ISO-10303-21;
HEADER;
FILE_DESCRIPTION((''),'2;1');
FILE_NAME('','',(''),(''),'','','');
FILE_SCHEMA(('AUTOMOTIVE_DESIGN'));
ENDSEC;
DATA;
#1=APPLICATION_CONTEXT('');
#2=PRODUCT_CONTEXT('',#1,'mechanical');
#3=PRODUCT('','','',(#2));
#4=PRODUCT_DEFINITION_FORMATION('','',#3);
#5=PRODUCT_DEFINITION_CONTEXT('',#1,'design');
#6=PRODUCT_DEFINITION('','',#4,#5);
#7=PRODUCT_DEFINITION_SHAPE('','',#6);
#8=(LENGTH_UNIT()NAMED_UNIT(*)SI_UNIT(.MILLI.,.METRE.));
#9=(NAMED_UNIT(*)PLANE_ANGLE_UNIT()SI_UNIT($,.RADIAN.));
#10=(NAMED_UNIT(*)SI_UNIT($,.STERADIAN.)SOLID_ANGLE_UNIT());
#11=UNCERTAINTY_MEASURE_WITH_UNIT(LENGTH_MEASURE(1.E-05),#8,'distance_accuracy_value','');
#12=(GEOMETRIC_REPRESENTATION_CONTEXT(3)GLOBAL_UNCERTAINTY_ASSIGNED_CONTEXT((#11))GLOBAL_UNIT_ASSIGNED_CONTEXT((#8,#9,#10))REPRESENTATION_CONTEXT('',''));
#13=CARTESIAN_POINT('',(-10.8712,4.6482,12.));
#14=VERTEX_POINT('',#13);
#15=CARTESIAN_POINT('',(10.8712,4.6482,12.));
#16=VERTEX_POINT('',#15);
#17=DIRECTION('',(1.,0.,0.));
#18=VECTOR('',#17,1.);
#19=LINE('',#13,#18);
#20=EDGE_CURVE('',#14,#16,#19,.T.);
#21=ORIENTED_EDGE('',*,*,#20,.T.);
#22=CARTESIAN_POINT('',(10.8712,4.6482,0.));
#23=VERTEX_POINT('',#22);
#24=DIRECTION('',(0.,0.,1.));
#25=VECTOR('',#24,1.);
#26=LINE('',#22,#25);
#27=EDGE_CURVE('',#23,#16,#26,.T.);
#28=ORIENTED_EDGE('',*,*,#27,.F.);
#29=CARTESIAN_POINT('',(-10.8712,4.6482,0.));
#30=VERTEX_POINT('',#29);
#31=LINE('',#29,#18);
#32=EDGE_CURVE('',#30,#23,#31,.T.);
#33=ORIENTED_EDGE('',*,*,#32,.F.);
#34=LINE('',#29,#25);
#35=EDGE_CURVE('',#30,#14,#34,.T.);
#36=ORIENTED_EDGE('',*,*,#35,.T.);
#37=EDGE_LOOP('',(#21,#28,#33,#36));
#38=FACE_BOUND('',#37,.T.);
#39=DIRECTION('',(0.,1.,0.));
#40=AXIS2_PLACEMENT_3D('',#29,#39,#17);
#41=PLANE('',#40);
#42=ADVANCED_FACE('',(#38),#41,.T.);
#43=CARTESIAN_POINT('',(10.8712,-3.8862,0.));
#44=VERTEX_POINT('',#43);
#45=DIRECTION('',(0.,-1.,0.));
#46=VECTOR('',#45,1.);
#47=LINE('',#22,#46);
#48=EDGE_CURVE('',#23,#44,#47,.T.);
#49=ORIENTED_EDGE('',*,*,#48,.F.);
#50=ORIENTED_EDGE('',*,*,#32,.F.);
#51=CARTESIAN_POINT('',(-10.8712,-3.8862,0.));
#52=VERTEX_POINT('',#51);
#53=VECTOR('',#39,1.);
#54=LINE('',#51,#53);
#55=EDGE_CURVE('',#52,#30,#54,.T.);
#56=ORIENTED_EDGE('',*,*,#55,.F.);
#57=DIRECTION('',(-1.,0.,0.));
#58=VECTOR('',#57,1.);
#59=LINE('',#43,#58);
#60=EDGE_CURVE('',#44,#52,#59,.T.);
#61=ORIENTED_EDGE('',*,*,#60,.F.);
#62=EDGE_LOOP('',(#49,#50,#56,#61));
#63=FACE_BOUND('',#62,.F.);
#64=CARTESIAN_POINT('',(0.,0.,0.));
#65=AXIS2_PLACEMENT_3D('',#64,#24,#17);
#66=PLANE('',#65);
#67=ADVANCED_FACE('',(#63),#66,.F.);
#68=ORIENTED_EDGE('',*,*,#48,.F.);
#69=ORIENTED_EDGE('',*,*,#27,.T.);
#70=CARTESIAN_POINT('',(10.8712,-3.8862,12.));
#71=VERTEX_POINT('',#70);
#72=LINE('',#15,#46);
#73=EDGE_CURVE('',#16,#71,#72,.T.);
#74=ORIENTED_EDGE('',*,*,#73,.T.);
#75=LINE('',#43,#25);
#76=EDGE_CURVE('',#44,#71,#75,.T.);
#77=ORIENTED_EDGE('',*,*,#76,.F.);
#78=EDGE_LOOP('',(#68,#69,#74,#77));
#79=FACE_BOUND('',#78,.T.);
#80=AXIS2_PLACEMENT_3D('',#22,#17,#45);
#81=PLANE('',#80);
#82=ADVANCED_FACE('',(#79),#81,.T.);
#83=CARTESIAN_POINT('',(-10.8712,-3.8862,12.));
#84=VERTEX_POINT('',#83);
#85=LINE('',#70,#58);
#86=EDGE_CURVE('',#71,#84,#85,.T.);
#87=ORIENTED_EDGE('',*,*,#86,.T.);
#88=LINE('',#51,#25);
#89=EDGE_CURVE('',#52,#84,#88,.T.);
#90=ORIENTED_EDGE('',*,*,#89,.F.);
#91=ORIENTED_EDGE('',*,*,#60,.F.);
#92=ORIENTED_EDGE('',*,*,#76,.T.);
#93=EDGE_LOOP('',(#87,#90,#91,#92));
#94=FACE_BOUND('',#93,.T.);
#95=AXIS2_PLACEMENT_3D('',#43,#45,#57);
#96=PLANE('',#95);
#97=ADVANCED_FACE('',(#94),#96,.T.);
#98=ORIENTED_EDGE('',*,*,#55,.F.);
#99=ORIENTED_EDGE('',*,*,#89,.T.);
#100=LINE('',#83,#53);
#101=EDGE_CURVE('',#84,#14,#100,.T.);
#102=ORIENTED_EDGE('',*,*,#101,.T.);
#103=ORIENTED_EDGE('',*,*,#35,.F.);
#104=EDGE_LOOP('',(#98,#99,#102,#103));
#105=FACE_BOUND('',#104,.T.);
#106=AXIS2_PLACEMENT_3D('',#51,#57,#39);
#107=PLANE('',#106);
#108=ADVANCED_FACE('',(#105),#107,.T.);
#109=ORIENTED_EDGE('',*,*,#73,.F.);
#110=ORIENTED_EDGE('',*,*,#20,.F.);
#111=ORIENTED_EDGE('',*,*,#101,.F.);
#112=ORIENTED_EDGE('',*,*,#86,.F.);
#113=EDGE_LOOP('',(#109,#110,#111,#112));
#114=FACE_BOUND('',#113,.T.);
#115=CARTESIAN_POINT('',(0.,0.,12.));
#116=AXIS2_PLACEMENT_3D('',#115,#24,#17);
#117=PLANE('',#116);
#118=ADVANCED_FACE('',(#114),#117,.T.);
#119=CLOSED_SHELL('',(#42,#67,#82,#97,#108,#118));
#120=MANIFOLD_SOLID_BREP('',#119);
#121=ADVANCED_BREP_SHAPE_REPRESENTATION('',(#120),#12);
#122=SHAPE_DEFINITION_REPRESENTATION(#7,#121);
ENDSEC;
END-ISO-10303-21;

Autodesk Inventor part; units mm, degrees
ref_plane "YZ Plane" through (0, 0, 0) normal (1, 0, 0) x (0, 1, 0)
ref_plane "XZ Plane" through (0, 0, 0) normal (0, 1, 0) x (-1, 0, 0)
ref_plane "XY Plane" through (0, 0, 0) normal (0, 0, 1) x (1, 0, 0)
sketch "MSTBV4, 0395311004_118" plane through (0, 0, 0) normal (0, 0, 1) x (1, 0, 0)
  line L0 (-10.8712, -3.8862) -> (-10.8712, 4.6482)
  line L1 (-10.8712, 4.6482) -> (10.8712, 4.6482)
  line L2 (10.8712, 4.6482) -> (10.8712, -3.8862)
  line L3 (10.8712, -3.8862) -> (-10.8712, -3.8862)
extrude "Extrusion1" add sketch "MSTBV4, 0395311004_118" along normal blind 12
properties part number "0395311004"
